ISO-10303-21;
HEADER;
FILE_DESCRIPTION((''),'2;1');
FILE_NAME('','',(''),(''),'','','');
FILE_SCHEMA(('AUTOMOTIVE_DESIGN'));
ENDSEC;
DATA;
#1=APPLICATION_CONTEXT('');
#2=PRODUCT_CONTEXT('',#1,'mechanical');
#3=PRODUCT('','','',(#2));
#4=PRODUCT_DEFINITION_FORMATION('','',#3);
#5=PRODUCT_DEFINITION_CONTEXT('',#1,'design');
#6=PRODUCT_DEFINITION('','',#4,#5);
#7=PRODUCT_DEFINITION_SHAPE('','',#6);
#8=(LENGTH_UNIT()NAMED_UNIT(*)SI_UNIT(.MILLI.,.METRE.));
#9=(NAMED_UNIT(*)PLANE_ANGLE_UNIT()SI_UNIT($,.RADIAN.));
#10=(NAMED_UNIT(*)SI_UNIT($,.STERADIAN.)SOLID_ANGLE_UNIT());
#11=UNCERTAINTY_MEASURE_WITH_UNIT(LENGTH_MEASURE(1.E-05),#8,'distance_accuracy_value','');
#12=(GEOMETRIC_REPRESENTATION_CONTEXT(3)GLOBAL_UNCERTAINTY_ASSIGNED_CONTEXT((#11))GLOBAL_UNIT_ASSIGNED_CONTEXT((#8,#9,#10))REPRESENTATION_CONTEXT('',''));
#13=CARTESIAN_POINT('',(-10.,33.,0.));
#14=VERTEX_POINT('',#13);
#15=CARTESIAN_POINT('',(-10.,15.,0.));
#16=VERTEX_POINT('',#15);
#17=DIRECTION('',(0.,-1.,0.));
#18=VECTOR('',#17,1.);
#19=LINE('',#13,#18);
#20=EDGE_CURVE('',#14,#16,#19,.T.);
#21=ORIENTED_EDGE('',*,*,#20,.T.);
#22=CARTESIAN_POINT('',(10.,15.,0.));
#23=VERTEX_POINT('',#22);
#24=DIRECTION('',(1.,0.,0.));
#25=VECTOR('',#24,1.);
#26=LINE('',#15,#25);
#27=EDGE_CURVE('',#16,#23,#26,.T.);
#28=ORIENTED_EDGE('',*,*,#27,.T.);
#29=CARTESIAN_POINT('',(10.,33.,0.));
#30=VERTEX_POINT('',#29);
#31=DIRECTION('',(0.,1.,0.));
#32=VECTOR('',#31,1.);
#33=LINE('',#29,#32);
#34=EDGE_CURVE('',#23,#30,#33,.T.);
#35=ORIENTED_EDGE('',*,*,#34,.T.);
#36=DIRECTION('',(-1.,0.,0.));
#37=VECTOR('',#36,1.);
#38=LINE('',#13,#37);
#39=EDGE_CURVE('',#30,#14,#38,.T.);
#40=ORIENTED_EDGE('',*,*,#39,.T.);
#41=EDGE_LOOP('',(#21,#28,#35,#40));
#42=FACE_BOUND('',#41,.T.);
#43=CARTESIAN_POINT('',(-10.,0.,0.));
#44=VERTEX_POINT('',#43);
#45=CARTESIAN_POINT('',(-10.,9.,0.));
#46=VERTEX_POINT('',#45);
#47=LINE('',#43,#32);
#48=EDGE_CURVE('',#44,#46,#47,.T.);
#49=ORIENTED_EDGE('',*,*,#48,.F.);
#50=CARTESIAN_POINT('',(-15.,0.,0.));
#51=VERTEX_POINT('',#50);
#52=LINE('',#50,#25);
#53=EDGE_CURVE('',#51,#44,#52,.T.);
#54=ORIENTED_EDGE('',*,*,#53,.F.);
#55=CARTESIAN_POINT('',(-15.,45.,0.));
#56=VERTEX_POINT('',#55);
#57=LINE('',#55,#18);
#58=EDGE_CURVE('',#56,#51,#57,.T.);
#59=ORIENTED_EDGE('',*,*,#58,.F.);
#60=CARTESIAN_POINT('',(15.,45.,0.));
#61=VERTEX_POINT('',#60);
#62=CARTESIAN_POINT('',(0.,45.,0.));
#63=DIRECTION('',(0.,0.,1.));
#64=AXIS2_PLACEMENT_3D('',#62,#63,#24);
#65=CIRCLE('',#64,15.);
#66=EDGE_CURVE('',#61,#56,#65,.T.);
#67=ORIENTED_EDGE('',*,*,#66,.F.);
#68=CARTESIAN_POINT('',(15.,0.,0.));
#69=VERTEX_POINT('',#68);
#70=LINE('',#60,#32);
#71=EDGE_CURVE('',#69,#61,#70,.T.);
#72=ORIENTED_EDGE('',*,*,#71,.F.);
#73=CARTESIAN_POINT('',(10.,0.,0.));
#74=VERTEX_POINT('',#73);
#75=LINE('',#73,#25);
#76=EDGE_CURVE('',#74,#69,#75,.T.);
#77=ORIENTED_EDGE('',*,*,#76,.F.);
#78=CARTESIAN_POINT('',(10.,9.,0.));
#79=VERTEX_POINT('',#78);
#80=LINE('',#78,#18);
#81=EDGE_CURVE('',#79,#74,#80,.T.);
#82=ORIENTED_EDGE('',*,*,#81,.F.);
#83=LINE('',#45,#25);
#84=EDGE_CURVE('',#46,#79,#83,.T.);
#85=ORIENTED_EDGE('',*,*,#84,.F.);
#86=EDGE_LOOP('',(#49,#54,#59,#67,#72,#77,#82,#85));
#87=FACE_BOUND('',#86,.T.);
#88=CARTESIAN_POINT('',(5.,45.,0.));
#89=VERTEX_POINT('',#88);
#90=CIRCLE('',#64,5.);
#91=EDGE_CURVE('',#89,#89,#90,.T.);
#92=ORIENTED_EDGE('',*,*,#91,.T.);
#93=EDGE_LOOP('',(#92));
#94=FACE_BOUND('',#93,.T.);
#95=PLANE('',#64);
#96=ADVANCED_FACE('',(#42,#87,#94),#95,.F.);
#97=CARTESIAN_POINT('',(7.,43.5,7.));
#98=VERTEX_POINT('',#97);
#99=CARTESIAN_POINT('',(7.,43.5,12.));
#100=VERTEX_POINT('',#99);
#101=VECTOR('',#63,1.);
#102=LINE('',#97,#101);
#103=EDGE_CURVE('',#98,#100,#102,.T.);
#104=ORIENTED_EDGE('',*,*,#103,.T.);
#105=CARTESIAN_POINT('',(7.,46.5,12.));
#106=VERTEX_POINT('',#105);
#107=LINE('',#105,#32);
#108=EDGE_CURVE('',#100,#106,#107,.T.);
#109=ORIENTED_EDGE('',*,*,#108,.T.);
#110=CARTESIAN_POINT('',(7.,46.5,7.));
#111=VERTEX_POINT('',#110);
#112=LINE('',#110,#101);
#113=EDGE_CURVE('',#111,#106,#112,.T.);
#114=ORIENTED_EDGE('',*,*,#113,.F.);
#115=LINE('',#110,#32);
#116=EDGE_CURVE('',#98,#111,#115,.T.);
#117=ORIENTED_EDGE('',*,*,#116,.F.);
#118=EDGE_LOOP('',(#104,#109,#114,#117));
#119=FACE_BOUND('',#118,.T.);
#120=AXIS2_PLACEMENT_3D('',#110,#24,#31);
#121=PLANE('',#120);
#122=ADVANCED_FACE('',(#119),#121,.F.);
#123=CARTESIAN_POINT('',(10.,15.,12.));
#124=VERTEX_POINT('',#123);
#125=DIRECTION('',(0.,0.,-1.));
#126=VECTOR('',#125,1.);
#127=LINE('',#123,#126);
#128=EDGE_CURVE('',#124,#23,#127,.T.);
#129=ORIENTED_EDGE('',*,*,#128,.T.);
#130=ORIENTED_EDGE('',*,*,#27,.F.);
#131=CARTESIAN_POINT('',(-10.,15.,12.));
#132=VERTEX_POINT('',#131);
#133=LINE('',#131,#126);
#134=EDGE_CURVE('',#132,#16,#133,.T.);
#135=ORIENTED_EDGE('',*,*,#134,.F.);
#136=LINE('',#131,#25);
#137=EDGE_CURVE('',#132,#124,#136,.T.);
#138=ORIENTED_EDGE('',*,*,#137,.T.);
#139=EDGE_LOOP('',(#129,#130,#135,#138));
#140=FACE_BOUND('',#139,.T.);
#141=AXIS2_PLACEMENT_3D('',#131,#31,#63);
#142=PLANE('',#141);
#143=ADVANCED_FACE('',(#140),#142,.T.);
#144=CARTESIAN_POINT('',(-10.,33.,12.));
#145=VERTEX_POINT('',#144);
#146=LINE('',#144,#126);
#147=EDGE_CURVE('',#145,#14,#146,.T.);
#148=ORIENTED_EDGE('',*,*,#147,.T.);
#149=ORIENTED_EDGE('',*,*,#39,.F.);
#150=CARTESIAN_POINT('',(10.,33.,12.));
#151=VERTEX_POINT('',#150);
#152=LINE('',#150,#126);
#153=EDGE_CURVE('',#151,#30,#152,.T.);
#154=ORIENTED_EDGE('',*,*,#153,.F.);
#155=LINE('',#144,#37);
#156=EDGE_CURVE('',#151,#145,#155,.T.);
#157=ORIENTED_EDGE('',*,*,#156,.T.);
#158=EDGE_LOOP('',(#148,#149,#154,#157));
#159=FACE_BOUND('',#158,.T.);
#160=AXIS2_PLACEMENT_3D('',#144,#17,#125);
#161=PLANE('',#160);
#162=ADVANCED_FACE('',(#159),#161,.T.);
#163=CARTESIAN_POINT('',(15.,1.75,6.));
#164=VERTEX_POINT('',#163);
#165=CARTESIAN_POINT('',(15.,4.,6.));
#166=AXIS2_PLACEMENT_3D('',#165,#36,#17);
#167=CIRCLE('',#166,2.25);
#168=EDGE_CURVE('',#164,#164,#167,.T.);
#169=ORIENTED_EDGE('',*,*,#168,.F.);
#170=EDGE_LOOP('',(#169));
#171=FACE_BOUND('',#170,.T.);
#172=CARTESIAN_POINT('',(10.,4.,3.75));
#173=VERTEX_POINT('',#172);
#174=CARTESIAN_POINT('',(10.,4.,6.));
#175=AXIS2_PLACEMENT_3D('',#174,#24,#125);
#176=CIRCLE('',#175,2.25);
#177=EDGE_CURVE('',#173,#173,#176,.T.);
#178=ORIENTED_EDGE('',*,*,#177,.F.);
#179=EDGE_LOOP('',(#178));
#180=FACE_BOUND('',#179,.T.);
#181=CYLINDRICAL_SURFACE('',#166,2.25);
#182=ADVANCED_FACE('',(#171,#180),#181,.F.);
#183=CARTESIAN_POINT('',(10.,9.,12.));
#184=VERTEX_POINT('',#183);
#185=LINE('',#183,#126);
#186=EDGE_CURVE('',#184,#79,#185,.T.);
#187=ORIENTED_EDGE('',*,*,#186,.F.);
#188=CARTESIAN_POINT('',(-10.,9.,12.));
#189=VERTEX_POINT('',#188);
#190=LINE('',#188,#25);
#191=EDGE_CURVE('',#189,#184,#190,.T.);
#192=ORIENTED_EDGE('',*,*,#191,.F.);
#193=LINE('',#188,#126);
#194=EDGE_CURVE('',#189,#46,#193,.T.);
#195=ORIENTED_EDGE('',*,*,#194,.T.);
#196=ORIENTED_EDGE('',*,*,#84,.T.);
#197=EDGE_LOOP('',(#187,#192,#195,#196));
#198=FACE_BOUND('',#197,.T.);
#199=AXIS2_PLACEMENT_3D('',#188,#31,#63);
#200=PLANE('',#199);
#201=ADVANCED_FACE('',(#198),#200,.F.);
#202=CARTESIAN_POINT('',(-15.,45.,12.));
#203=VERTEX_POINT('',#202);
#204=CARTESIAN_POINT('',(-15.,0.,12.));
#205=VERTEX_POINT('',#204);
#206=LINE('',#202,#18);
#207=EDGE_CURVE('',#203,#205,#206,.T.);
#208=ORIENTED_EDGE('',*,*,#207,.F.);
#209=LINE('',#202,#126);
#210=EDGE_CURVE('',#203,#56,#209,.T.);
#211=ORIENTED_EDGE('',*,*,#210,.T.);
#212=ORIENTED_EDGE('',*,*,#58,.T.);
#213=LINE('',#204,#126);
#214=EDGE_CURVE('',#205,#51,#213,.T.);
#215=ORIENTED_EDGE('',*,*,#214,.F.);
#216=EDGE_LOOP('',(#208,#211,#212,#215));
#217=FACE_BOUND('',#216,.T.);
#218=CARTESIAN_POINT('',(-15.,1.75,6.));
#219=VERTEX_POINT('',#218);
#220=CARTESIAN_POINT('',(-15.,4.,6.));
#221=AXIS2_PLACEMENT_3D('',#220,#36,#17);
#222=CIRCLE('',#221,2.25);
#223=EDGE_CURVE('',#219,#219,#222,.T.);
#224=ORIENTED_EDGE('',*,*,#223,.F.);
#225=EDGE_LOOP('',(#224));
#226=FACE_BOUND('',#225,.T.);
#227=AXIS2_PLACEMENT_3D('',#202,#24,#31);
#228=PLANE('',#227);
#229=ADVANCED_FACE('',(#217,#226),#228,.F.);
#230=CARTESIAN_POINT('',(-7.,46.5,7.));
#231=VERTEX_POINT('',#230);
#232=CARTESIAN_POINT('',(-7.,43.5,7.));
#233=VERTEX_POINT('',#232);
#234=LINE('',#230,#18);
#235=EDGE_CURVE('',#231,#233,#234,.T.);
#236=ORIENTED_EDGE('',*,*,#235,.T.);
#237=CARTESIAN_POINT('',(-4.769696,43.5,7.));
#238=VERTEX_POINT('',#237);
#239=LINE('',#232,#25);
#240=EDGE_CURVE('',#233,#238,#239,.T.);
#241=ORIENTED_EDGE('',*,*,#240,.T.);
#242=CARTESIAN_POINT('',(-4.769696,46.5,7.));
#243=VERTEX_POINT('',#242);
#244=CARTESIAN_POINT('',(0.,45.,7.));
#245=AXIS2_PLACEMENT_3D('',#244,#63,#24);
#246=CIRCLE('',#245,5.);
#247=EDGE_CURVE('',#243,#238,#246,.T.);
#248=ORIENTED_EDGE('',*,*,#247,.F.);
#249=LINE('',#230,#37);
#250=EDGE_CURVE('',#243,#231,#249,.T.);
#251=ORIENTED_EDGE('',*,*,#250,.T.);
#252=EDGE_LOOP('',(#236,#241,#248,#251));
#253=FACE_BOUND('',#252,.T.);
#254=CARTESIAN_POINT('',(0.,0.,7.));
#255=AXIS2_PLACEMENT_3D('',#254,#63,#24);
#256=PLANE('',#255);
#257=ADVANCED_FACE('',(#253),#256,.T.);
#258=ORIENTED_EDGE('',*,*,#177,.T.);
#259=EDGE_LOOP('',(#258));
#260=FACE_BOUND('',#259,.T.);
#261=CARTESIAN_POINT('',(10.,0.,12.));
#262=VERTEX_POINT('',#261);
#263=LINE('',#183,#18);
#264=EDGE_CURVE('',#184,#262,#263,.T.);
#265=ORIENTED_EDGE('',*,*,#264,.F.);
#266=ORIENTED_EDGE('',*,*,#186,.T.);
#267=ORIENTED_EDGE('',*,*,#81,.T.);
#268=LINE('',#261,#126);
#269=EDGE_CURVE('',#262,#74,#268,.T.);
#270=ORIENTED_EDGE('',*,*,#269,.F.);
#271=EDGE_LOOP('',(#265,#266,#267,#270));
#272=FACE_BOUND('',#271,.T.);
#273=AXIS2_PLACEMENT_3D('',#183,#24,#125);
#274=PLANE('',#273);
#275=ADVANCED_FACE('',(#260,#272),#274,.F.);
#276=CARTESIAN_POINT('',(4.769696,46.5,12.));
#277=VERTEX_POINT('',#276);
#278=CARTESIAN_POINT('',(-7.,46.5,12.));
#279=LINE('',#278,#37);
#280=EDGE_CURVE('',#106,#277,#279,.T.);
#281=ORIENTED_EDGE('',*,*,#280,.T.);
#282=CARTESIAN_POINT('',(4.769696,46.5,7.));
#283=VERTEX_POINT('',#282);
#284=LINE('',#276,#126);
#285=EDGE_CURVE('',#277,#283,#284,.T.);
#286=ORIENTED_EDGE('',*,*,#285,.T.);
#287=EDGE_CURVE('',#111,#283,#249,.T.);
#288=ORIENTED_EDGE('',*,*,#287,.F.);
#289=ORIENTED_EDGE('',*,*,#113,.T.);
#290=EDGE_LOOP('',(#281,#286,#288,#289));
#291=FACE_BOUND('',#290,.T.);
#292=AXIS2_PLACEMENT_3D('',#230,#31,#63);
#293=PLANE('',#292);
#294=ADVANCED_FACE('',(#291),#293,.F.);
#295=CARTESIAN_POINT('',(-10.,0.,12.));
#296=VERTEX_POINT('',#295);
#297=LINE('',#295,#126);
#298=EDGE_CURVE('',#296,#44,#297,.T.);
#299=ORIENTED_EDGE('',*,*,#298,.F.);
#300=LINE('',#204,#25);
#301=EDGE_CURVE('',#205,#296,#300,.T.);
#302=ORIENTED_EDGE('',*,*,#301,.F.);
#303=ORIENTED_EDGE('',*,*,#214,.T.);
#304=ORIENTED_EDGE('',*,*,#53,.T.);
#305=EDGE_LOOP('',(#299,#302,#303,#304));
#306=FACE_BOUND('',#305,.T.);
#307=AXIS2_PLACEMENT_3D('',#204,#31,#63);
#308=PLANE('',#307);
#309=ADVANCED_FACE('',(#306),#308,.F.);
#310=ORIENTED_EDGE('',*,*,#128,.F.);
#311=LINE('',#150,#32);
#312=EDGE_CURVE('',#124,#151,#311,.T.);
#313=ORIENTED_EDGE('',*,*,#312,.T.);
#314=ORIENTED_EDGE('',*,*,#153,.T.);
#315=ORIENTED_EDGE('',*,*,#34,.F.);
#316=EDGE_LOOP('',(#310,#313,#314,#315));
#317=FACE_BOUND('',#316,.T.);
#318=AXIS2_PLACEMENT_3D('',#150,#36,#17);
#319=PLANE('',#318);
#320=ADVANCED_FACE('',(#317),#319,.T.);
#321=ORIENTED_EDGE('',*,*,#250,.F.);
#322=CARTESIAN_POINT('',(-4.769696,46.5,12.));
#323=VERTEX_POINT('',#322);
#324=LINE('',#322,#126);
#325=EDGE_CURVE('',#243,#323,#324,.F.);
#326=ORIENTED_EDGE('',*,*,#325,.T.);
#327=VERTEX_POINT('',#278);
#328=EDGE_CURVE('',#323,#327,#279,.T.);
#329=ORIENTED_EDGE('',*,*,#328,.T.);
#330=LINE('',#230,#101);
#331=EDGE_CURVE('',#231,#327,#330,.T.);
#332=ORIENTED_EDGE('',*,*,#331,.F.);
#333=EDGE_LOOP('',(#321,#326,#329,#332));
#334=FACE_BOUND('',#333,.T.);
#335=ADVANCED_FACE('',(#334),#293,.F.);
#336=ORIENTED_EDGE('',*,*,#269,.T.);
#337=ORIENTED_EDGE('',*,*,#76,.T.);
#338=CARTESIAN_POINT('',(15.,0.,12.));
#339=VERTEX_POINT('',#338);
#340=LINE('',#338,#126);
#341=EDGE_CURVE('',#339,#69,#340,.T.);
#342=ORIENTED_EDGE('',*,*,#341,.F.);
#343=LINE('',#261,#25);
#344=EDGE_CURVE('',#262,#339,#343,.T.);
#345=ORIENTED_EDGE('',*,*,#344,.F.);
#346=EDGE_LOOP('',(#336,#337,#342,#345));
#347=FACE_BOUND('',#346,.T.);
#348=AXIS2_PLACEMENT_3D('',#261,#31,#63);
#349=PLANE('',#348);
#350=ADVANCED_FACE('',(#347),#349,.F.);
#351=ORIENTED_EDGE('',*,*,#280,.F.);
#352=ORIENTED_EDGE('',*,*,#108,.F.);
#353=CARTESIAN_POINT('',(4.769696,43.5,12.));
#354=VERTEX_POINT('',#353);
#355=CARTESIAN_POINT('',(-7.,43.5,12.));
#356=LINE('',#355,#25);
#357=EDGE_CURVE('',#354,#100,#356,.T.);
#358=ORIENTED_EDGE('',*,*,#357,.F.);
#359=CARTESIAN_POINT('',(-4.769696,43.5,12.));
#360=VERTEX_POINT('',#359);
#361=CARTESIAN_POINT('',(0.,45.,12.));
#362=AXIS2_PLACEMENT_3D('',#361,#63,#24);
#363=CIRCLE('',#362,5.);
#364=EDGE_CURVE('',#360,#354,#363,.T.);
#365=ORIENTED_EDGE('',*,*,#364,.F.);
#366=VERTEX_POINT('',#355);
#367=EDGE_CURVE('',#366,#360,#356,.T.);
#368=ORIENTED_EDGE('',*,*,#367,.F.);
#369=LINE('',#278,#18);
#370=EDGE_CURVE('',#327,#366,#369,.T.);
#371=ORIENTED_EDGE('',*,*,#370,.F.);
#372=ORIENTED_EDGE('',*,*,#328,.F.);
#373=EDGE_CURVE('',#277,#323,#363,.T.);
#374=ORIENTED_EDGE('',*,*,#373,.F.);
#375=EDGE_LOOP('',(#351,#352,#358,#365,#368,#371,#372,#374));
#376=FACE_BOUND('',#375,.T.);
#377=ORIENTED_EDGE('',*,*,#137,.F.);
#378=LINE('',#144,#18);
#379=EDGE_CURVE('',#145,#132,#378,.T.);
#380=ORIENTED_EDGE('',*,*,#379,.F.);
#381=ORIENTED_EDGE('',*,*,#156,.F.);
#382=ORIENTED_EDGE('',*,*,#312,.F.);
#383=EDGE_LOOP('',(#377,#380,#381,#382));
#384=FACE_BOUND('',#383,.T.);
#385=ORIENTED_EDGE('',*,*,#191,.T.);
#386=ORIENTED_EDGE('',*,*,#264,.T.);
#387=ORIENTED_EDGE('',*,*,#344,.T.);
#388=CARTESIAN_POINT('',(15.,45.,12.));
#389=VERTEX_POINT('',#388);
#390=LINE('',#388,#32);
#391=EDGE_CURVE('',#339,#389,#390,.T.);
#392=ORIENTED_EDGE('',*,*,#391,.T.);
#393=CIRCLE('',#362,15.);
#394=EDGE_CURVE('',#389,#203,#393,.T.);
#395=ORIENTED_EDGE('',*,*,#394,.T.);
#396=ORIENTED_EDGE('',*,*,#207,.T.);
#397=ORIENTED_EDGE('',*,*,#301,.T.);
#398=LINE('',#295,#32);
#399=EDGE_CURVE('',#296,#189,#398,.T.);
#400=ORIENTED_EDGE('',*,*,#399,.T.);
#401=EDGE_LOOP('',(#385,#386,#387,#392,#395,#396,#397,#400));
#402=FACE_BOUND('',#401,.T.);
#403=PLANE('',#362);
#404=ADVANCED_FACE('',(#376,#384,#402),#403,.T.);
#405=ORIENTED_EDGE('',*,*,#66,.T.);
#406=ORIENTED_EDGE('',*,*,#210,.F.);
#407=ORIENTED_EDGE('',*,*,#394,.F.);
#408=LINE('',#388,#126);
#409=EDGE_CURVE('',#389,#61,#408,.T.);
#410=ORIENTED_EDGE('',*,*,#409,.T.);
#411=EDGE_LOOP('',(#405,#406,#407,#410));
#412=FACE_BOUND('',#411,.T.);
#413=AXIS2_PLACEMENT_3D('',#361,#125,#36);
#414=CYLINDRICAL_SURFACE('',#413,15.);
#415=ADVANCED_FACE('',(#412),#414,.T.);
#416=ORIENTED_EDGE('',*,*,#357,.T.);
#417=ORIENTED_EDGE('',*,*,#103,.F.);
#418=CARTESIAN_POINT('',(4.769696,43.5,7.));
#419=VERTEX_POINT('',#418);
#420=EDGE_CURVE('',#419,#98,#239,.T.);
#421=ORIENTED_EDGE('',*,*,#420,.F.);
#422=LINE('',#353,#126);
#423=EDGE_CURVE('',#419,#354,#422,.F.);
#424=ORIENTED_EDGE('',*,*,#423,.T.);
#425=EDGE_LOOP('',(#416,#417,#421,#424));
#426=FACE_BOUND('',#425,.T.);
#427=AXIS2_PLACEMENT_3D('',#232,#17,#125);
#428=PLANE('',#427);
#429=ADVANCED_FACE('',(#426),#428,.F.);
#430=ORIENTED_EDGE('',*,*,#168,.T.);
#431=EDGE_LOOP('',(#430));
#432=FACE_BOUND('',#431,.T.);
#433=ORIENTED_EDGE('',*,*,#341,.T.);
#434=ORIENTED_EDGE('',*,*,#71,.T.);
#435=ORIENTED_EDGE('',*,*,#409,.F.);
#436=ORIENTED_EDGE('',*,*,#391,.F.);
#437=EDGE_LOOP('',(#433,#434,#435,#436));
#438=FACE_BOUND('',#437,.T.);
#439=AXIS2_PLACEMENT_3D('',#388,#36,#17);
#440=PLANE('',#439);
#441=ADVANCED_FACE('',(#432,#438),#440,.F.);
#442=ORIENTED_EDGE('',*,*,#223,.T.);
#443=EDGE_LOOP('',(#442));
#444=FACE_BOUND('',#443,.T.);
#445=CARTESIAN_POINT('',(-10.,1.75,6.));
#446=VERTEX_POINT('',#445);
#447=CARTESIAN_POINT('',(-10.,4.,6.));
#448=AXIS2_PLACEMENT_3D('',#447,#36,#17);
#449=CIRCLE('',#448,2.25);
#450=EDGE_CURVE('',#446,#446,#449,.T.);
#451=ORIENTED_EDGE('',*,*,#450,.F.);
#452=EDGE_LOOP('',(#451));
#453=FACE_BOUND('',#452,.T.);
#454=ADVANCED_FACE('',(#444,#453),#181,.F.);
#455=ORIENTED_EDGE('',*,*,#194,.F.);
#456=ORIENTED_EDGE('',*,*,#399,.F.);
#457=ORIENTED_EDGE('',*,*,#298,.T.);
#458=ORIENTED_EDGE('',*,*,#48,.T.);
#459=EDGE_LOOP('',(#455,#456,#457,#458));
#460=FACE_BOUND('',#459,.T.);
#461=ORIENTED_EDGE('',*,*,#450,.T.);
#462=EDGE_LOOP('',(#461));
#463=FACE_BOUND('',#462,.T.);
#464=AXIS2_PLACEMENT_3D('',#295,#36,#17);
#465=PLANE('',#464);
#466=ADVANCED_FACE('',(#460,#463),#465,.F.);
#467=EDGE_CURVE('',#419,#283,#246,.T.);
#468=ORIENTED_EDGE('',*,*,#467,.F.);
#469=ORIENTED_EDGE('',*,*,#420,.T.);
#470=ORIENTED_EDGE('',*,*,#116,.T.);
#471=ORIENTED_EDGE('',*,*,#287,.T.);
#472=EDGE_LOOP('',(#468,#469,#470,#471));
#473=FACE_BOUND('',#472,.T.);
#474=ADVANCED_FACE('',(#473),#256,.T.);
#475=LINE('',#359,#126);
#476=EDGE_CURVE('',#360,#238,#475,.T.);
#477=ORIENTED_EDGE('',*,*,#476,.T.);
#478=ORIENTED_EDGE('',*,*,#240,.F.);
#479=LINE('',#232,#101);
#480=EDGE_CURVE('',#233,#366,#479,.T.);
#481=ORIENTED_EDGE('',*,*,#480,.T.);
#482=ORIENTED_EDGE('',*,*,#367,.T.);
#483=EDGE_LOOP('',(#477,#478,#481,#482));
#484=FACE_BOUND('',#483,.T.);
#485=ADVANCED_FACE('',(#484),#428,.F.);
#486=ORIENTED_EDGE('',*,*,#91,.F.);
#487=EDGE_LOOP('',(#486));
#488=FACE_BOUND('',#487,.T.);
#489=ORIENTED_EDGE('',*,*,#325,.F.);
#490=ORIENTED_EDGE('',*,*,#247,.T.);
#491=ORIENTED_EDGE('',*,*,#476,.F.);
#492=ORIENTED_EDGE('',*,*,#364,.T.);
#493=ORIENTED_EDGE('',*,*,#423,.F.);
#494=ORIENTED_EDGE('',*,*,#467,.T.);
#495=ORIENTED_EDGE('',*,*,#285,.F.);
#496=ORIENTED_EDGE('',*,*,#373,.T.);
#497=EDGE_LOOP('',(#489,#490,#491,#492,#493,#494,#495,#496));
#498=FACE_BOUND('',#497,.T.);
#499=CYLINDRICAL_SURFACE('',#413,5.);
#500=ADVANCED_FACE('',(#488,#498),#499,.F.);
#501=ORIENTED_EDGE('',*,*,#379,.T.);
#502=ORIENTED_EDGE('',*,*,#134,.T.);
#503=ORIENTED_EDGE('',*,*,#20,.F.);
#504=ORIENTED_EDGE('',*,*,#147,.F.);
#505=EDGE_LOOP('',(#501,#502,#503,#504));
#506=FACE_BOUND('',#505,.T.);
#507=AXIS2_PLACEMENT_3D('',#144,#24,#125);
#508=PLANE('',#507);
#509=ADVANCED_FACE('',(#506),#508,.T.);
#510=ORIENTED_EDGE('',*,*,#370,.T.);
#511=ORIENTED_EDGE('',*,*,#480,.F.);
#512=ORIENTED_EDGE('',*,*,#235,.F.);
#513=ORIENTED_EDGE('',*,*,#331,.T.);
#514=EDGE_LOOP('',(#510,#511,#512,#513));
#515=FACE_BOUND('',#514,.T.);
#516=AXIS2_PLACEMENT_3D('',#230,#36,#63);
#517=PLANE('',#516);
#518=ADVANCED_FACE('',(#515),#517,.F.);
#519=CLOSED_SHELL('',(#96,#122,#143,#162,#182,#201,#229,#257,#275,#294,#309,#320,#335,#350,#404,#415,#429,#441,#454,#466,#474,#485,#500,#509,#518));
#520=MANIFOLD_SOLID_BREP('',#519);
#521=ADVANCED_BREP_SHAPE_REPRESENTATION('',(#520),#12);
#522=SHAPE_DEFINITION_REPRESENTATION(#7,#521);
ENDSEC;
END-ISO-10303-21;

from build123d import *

# Parameters (mm, degrees)
SKETCH1_R           = 5
SKETCH1_W           = 20
SKETCH1_H           = 18
BOSS_EXTRUDE1_DEPTH = 12
SKETCH2_R           = 2.25
CUT_EXTRUDE1_DEPTH  = 69.14690015
SKETCH3_W           = 14
SKETCH3_H           = 3
CUT_EXTRUDE2_DEPTH  = 5


with BuildPart() as part:
    # Sketch1 → Boss-Extrude1 (new body)
    with BuildSketch(Plane.XY):
        with BuildLine():
            Line((15, 45), (15, 0))
            Line((15, 0), (10, 0))
            Line((10, 0), (10, 9))
            Line((10, 9), (-10, 9))
            Line((-10, 9), (-10, 0))
            Line((-10, 0), (-15, 0))
            Line((-15, 0), (-15, 45))
            ThreePointArc((-15, 45), (0, 60), (15, 45))
        make_face()
        with Locations((0, 45)):
            Circle(SKETCH1_R, mode=Mode.SUBTRACT)
        with Locations((0, 24)):
            Rectangle(SKETCH1_W, SKETCH1_H, mode=Mode.SUBTRACT)
    extrude(amount=BOSS_EXTRUDE1_DEPTH)

    # Sketch2 → Cut-Extrude1 (cut, through all)
    with BuildSketch(Plane.ZY.offset(15)):
        with Locations(Location((6, 4, 0), (0, 0, 270))):
            Circle(SKETCH2_R)
    extrude(amount=-CUT_EXTRUDE1_DEPTH, mode=Mode.SUBTRACT)

    # Sketch3 → Cut-Extrude2 (cut)
    with BuildSketch(Plane.XY.offset(12)):
        with Locations((0, 45)):
            Rectangle(SKETCH3_W, SKETCH3_H)
    extrude(amount=-CUT_EXTRUDE2_DEPTH, mode=Mode.SUBTRACT)


solid = part.part
